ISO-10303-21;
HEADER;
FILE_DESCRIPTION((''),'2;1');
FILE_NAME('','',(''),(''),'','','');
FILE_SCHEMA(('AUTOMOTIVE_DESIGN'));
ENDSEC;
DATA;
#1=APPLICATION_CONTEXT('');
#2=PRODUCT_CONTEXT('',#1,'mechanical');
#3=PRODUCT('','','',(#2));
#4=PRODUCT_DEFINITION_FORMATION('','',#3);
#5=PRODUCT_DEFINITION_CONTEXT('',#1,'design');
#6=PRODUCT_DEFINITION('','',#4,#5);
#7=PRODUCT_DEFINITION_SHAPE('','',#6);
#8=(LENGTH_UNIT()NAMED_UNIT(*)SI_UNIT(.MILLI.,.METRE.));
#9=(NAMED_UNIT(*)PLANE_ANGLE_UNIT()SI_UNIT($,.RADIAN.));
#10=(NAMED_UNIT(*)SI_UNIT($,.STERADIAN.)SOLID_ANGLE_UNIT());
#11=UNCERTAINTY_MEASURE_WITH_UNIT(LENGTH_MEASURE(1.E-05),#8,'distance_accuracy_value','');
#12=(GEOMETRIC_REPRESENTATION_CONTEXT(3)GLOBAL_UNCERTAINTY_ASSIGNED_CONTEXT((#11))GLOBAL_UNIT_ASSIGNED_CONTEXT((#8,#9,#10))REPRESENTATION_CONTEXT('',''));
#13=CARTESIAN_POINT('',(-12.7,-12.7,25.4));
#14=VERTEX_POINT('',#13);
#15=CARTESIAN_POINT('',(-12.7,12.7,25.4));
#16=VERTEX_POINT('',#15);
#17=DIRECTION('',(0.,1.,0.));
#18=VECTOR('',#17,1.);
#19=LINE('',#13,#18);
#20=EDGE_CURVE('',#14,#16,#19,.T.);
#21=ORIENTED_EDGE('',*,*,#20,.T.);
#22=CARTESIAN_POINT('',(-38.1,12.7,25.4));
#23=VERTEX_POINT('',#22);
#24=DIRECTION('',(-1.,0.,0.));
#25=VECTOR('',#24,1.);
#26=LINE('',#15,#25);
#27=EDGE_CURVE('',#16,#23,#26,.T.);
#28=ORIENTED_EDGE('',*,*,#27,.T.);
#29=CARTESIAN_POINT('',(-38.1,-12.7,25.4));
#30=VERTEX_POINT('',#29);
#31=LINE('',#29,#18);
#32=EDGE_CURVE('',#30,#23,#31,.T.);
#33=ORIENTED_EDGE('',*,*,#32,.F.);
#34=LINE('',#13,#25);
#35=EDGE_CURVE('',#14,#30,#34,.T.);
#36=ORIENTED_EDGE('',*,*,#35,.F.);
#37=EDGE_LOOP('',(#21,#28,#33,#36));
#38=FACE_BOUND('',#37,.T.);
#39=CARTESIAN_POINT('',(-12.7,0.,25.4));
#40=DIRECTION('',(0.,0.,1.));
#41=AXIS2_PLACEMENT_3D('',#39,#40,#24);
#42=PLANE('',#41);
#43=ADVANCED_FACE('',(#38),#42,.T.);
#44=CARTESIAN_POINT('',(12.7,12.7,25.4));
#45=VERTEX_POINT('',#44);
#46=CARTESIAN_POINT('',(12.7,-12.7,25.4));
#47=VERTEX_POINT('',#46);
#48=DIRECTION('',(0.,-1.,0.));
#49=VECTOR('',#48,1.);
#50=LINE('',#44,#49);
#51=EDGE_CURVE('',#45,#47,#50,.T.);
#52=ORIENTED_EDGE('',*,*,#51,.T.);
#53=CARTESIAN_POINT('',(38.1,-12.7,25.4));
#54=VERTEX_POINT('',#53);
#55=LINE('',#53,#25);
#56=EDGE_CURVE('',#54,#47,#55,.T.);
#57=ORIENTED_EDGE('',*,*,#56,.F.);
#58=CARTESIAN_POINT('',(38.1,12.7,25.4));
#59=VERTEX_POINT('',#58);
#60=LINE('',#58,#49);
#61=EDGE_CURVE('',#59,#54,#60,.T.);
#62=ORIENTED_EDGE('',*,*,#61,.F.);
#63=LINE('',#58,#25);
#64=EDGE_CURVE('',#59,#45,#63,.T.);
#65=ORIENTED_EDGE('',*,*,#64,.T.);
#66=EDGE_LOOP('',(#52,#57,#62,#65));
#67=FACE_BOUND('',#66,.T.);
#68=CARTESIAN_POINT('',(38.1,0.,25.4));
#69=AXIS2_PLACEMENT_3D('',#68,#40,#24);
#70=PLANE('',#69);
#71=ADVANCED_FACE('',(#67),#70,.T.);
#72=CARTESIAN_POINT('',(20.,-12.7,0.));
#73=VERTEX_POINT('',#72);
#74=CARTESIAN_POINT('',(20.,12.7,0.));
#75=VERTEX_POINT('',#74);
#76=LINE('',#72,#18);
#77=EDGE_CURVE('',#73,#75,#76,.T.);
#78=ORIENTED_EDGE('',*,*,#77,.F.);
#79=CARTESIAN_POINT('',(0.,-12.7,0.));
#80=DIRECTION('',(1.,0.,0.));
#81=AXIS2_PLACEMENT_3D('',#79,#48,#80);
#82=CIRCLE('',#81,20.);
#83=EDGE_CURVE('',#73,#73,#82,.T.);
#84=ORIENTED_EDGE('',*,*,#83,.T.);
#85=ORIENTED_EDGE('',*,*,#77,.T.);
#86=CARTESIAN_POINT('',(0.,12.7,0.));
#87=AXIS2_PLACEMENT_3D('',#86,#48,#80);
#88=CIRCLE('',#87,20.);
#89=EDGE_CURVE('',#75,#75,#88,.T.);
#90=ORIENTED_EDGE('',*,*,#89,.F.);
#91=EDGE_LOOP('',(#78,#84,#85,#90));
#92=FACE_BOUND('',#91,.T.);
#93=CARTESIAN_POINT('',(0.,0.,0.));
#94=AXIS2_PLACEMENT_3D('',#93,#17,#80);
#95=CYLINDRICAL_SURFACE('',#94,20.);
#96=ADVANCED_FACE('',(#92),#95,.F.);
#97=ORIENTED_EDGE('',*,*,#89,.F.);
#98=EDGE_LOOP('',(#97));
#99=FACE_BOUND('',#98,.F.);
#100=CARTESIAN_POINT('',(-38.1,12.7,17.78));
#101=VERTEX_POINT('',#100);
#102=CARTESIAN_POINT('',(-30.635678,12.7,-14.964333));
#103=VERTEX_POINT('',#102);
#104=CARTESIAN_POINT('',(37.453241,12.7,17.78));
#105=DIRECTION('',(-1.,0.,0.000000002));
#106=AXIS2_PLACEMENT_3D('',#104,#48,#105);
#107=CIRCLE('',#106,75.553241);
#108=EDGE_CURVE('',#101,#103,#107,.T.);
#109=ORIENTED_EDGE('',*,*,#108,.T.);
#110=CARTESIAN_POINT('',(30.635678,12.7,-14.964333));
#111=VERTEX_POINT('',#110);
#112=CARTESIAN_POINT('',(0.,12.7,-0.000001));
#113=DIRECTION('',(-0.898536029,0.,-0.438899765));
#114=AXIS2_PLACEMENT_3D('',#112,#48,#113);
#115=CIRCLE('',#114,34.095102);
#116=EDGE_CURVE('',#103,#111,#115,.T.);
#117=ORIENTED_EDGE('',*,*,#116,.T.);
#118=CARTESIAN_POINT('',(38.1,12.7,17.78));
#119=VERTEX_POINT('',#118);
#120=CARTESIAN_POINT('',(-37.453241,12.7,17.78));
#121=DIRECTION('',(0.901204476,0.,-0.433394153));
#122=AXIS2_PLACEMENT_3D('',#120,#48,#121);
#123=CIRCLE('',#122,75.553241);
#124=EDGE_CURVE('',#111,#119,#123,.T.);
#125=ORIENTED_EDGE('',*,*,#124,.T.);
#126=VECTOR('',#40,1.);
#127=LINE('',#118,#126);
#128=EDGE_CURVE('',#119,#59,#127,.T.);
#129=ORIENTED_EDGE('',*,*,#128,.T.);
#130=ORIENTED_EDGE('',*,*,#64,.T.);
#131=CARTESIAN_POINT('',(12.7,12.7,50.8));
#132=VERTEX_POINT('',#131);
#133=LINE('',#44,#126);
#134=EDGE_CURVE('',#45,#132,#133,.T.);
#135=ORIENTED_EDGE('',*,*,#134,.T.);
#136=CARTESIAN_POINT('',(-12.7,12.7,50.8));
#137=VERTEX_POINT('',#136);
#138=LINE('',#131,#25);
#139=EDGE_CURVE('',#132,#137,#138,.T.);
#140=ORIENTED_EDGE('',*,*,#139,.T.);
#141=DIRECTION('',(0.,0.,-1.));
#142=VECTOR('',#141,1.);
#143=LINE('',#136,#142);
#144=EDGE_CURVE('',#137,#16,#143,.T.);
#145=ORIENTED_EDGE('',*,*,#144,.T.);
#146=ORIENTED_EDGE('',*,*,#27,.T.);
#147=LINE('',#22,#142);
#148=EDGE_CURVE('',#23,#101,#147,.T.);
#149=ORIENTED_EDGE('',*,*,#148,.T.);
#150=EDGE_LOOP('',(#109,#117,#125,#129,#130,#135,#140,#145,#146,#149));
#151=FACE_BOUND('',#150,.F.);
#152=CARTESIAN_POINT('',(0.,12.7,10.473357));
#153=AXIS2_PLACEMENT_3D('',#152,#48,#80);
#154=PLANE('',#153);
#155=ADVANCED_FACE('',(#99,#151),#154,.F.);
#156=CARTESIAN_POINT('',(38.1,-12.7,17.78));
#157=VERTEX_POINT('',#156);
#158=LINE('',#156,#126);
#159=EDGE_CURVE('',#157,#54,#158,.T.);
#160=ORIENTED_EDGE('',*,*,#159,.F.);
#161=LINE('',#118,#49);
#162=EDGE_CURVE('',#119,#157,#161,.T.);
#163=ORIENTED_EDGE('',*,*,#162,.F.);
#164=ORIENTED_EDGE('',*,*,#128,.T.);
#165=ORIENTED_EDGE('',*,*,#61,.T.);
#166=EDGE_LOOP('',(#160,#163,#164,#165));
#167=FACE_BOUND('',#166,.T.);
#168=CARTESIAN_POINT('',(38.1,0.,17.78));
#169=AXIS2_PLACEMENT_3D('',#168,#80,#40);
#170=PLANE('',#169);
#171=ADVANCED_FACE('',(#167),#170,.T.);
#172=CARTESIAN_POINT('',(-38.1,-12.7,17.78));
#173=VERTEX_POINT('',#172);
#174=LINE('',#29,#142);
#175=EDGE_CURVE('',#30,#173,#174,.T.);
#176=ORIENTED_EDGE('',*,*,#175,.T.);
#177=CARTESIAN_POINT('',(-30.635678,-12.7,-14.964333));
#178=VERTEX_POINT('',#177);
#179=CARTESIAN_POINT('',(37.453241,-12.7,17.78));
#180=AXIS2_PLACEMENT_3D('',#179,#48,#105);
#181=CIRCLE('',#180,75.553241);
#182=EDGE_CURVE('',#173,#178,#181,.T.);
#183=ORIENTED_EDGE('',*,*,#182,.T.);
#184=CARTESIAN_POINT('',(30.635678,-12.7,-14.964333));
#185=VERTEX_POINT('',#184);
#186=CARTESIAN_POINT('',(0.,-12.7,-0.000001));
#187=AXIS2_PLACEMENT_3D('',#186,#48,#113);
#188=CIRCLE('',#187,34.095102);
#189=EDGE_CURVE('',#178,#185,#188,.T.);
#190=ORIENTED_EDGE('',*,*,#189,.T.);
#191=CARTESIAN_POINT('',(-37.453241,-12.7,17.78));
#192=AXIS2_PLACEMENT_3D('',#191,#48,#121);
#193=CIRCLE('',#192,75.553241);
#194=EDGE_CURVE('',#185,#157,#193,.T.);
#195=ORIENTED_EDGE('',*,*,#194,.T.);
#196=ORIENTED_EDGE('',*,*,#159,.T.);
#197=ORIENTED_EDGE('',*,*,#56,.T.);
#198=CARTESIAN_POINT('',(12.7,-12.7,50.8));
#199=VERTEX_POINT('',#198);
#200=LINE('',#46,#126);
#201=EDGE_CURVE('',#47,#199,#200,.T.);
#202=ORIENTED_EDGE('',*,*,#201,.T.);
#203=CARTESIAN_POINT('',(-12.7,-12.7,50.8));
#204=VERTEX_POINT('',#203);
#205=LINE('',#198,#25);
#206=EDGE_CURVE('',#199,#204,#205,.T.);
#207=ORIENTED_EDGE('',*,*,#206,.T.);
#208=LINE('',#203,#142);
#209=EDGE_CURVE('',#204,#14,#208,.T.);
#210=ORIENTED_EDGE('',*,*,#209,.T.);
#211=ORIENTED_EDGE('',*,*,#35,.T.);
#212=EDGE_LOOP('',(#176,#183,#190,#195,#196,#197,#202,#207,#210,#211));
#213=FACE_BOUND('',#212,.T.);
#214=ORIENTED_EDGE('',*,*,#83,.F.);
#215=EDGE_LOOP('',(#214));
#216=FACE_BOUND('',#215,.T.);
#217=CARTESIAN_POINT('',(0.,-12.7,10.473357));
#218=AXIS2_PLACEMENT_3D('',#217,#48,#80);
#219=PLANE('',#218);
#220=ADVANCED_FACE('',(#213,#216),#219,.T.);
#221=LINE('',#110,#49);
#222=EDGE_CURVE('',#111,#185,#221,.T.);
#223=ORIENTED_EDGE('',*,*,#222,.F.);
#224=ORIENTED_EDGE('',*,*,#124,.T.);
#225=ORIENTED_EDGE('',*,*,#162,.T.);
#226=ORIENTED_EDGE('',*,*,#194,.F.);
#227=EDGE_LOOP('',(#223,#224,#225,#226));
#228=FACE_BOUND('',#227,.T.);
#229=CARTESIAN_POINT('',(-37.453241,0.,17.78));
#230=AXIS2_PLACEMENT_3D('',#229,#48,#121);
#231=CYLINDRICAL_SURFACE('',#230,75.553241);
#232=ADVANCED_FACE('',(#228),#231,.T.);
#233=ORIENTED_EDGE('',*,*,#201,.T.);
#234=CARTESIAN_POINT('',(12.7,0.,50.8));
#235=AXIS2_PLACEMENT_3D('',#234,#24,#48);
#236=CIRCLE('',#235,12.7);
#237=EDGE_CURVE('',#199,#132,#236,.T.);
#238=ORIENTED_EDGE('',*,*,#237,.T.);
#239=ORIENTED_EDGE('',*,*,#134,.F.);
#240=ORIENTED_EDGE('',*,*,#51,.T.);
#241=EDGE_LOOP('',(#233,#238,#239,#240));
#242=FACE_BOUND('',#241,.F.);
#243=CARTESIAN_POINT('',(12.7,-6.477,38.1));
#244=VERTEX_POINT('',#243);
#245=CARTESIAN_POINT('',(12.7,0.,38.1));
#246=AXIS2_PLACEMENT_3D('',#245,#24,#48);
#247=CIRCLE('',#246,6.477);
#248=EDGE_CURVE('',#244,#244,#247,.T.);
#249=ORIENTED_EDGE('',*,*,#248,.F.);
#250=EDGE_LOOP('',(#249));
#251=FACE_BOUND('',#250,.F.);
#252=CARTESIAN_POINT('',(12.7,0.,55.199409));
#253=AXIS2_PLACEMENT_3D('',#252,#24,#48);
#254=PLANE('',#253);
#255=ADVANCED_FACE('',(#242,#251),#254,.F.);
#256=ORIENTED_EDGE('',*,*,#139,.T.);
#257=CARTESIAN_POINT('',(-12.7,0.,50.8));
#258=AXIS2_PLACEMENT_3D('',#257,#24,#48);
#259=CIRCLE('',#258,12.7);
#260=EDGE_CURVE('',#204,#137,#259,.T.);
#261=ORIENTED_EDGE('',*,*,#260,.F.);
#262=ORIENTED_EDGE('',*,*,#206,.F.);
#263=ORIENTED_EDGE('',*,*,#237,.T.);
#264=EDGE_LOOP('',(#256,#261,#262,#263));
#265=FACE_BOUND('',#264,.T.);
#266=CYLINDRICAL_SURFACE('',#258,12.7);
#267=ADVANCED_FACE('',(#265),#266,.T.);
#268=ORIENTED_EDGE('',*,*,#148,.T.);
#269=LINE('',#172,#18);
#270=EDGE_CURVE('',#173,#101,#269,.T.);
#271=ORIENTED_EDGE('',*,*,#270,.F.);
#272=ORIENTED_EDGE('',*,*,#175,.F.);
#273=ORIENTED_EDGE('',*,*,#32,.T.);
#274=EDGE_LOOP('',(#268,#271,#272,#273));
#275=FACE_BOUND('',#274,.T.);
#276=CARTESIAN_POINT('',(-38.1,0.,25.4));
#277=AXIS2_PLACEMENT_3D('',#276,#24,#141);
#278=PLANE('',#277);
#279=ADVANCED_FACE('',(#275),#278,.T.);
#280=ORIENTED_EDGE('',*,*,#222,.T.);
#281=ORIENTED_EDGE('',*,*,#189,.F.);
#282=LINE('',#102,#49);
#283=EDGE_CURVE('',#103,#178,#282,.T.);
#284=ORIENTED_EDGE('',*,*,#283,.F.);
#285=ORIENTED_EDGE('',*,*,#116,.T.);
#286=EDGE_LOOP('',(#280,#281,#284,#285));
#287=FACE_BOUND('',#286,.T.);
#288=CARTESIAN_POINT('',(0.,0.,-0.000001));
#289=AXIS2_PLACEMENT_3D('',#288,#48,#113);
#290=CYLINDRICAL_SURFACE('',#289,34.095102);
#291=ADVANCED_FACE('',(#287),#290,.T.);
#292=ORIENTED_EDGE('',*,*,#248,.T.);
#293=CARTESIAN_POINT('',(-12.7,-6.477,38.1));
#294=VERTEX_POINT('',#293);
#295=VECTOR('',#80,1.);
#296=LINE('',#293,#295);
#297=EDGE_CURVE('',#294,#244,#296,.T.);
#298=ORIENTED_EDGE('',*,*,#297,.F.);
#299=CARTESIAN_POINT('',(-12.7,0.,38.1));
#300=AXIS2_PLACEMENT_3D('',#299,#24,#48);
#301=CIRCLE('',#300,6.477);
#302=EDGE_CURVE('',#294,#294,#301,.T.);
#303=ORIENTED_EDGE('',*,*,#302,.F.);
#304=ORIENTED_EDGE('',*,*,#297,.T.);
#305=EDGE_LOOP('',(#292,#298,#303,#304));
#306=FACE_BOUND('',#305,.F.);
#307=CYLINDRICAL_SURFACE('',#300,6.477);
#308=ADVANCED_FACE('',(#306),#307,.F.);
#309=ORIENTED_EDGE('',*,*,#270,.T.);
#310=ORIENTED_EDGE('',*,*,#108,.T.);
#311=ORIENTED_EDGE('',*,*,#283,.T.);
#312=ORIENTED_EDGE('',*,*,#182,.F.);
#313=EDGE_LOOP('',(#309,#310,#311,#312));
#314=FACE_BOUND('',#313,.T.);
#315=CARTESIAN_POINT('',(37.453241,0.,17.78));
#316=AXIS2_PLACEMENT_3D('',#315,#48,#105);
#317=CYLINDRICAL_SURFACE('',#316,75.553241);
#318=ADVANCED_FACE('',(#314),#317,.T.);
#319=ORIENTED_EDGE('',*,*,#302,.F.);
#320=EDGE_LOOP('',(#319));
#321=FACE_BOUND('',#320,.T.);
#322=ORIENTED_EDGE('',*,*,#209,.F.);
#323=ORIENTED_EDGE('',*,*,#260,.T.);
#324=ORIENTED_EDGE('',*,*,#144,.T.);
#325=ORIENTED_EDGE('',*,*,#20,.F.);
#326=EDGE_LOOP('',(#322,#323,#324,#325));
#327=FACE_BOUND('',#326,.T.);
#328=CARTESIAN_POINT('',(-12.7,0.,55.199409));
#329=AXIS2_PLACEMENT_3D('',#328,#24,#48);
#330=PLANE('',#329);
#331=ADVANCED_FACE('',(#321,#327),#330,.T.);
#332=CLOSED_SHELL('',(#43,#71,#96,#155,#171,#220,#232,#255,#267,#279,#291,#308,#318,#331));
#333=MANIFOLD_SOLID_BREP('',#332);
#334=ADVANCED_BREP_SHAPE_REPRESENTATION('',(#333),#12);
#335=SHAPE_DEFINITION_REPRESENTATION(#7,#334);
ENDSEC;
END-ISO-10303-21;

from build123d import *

# Parameters (mm, degrees)
F0_R     = 20
F1_DEPTH = 12.7
F2_R     = 6.477
F3_DEPTH = 50.801
F4_DEPTH = 25.4


with BuildPart() as f1:
    # F0 (on Front) → F1 (new body, symmetric)
    with BuildSketch(Plane.XZ):
        with BuildLine():
            ThreePointArc((-38.1, 17.78), (-36.210287, 0.987833), (-30.635678, -14.964333))
            ThreePointArc((-30.635678, -14.964333), (0, -34.095103), (30.635678, -14.964333))
            ThreePointArc((30.635678, -14.964333), (36.210287, 0.987833), (38.1, 17.78))
            Line((38.1, 17.78), (38.1, 25.4))
            Line((38.1, 25.4), (12.7, 25.4))
            Line((12.7, 25.4), (12.7, 50.8))
            Line((12.7, 50.8), (-12.7, 50.8))
            Line((-12.7, 50.8), (-12.7, 25.4))
            Line((-12.7, 25.4), (-38.1, 25.4))
            Line((-38.1, 25.4), (-38.1, 17.78))
        make_face()
        Circle(F0_R, mode=Mode.SUBTRACT)
    extrude(amount=F1_DEPTH, both=True)

    # F2 (on face) → F3 (cut, through all)
    with BuildSketch(Plane(origin=(-12.7, 0, 0), x_dir=(0, -1, 0), z_dir=(-1, 0, 0))):
        with Locations((0, 38.1)):
            Circle(F2_R)
    extrude(amount=-F3_DEPTH, mode=Mode.SUBTRACT)

    # F2 (on face) → F4 (join)
    with BuildSketch(Plane(origin=(-12.7, 0, 0), x_dir=(0, -1, 0), z_dir=(-1, 0, 0))):
        with BuildLine():
            Line((-12.7, 50.8), (12.7, 50.8))
            ThreePointArc((12.7, 50.8), (0, 63.5), (-12.7, 50.8))
        make_face()
    extrude(amount=-F4_DEPTH)


solid = f1.part
